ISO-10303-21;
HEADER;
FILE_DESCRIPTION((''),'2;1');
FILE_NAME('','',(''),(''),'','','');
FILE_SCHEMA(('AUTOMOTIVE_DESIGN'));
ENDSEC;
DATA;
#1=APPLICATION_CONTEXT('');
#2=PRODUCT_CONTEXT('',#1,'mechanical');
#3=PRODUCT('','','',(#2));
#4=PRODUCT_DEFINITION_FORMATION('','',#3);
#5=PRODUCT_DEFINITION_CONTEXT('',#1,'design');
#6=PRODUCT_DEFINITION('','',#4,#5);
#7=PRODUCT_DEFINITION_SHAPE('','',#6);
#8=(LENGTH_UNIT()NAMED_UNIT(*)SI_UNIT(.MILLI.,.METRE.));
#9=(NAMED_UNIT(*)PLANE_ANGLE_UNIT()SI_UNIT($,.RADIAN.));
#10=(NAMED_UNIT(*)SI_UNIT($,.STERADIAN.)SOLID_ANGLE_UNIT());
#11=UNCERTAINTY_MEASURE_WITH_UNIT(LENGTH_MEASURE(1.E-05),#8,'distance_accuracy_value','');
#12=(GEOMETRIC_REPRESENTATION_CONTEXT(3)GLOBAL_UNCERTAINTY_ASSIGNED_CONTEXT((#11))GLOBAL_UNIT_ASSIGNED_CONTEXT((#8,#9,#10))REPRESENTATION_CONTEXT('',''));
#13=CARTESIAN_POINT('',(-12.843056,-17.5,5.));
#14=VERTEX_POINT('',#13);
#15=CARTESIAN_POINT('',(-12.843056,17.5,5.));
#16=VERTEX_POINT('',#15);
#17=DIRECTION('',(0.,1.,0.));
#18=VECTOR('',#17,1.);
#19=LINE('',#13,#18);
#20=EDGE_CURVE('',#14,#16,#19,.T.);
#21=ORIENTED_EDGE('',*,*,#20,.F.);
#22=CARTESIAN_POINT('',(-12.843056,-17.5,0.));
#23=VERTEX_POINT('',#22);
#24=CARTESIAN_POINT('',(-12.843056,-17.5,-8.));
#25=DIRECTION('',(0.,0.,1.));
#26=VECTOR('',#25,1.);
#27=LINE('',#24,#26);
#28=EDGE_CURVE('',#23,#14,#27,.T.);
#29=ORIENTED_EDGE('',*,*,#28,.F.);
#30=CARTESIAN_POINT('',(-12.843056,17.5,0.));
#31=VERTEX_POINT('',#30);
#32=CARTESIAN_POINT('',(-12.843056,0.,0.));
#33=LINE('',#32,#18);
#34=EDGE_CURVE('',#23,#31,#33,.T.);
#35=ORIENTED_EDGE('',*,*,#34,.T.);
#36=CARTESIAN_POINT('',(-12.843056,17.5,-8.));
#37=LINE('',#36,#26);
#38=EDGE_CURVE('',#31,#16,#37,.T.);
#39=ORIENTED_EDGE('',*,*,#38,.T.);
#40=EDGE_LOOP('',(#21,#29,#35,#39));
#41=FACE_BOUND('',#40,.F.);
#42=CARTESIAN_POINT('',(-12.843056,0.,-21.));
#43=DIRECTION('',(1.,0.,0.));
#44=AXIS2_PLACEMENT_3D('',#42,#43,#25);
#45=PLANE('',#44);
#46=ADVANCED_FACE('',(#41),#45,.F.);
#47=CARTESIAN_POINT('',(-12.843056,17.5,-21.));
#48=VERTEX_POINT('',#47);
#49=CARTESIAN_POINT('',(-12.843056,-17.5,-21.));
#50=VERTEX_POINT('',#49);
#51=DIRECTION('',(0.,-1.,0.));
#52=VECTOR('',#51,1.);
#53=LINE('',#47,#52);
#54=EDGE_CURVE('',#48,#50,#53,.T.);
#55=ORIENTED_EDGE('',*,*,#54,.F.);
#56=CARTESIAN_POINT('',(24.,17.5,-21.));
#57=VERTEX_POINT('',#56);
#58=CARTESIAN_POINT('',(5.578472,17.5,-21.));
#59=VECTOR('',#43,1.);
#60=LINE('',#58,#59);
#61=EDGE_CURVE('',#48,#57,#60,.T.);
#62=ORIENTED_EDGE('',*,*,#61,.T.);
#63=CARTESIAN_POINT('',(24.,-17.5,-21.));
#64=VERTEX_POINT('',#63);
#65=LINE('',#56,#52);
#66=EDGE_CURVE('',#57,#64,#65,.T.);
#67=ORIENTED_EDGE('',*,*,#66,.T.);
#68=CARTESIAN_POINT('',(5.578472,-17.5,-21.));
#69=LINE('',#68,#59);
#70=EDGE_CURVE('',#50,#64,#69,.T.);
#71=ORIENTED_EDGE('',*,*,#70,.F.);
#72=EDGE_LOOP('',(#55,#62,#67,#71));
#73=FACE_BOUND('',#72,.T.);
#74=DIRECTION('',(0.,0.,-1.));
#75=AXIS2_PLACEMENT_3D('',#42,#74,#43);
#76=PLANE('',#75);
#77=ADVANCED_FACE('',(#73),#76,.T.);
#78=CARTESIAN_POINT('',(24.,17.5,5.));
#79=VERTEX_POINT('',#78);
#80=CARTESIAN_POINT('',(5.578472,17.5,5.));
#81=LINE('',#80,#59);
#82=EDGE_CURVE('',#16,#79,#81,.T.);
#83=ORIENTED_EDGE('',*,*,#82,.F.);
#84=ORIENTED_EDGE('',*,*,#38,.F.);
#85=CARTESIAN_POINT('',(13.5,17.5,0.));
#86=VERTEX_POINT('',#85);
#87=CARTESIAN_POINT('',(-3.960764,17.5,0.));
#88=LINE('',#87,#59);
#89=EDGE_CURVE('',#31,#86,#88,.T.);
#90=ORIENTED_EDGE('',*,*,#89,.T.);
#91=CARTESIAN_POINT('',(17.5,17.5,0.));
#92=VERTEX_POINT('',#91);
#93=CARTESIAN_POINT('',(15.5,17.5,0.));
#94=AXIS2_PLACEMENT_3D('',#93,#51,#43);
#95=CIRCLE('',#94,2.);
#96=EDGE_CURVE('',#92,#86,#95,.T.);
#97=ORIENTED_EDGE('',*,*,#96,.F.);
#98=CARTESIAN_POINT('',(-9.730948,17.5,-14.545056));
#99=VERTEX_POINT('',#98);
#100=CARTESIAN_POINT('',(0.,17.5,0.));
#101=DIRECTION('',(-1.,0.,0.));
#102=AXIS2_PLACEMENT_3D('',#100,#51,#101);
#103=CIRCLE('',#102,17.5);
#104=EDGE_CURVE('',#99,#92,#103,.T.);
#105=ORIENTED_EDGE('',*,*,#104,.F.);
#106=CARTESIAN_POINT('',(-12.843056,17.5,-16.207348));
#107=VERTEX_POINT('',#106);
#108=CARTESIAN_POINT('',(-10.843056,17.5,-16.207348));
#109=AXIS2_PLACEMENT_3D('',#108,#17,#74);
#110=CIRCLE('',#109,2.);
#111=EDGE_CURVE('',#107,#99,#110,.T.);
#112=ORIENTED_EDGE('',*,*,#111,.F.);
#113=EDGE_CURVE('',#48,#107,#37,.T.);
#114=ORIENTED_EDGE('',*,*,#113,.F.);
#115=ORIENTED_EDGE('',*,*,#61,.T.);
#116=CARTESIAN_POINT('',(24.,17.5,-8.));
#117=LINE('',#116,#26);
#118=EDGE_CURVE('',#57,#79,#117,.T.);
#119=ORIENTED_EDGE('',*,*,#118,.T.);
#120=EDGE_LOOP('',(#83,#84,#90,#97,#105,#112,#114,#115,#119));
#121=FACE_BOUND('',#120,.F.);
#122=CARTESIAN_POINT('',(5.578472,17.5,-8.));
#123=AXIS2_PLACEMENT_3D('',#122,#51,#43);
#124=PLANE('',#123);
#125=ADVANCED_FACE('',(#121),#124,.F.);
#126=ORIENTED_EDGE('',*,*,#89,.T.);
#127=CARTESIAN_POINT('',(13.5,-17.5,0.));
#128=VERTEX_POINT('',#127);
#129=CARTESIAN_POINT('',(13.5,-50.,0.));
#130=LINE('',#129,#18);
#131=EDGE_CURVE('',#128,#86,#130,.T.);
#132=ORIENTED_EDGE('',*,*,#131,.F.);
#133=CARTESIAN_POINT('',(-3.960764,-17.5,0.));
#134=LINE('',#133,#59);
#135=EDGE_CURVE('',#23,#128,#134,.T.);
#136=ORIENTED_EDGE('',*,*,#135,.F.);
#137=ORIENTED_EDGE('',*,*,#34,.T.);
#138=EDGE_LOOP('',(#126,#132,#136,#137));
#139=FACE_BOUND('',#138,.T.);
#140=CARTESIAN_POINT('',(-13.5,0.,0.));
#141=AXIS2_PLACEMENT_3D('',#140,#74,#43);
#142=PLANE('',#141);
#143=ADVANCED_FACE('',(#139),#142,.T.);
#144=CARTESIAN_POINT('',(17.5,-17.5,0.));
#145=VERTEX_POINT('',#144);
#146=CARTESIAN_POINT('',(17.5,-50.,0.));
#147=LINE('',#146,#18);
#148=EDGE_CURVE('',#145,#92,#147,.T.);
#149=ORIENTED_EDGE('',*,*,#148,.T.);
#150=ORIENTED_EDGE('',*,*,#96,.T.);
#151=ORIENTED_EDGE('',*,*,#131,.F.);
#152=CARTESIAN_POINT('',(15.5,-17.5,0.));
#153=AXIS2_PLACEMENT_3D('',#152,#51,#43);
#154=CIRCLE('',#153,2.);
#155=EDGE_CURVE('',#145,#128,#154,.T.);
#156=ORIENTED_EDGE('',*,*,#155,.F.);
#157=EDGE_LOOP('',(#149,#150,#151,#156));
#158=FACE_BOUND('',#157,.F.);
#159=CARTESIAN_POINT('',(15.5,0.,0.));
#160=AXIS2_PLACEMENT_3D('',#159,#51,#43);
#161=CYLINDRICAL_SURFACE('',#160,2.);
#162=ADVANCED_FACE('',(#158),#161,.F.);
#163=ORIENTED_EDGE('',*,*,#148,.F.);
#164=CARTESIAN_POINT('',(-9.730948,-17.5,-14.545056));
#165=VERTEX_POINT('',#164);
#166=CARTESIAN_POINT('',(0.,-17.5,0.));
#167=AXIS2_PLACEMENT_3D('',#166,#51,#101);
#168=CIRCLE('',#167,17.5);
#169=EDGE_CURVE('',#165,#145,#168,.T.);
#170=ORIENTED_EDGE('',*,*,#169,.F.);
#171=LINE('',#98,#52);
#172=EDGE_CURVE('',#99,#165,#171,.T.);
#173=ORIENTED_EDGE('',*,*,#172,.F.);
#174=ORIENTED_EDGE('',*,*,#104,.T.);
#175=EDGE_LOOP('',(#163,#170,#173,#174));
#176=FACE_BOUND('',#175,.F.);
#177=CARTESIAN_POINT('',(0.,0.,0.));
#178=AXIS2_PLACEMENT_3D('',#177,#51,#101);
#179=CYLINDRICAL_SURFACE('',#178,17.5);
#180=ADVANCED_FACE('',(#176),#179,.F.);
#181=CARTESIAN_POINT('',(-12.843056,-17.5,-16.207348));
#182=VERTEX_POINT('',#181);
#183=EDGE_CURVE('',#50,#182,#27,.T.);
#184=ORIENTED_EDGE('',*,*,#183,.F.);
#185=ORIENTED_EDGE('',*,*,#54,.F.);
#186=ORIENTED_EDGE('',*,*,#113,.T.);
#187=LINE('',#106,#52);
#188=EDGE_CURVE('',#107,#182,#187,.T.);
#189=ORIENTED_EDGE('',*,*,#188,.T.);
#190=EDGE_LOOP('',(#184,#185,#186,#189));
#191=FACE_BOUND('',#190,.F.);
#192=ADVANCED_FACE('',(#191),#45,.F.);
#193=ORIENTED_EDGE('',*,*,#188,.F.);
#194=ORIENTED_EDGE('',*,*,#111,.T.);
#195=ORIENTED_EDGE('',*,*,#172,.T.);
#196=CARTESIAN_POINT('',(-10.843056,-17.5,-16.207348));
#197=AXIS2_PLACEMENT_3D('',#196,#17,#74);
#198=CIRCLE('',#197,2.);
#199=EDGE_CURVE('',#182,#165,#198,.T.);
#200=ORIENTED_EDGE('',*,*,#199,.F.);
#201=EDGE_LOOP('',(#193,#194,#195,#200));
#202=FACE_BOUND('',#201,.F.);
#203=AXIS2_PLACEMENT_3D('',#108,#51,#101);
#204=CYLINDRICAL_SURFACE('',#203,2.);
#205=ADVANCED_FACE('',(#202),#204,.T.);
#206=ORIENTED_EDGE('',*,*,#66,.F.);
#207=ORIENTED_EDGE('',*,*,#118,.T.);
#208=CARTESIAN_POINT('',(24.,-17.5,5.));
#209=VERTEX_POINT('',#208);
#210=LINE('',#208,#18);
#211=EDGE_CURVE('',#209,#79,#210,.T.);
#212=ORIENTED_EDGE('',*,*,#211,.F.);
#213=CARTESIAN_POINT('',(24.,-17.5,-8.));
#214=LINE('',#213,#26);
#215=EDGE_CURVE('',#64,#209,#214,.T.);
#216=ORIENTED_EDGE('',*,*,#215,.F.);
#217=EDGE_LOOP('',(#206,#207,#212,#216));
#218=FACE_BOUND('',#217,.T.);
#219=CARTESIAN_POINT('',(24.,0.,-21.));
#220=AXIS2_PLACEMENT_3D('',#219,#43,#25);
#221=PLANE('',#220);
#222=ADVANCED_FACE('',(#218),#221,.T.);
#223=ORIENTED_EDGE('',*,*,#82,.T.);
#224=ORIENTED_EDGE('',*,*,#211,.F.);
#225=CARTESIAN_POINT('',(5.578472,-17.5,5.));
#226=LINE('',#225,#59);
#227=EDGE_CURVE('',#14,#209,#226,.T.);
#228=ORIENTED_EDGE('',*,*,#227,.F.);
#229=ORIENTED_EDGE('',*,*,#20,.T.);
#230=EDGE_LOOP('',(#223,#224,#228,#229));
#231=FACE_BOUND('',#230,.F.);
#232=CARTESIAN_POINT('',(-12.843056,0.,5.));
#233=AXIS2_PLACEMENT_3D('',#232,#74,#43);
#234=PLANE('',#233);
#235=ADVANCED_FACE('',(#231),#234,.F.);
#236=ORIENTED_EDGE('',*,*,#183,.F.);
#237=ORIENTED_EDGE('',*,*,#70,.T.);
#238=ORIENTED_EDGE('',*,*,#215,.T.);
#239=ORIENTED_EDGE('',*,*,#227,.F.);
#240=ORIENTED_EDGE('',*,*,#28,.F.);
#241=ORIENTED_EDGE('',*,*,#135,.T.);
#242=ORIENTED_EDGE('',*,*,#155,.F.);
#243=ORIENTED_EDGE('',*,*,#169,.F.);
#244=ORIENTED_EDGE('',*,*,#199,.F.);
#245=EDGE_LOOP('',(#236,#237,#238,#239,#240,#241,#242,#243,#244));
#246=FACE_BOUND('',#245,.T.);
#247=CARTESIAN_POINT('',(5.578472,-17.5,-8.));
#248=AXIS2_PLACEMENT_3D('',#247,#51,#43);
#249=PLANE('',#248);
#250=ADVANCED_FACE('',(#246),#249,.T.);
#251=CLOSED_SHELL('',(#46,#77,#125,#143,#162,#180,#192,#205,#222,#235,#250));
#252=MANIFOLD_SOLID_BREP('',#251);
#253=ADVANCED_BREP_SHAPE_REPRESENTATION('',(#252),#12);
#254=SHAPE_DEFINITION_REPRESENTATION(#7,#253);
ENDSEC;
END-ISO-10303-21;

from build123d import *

# Parameters (mm, degrees)
PAD_DEPTH    = 50
SKETCH002_W  = 36.843056
SKETCH002_H  = 26
PAD003_DEPTH = 17.5
FILLET_R     = 2


with BuildPart() as pad:
    # Sketch → Pad (new body, symmetric)
    with BuildSketch(Plane.XZ):
        with BuildLine():
            Line((-13.5, 0), (13.5, 0))
            ThreePointArc((17.5, 0), (15.5, 2), (13.5, 0))
            ThreePointArc((-17.5, 0), (0, -17.5), (17.5, 0))
            ThreePointArc((-13.5, 0), (-15.5, 2), (-17.5, 0))
        make_face()
    extrude(amount=PAD_DEPTH, both=True)


with BuildPart() as fillet_body:
    # Sketch002 → Pad003 (new body, symmetric)
    with BuildSketch(Plane.XZ):
        with Locations((5.578472, -8)):
            Rectangle(SKETCH002_W, SKETCH002_H)
    extrude(amount=PAD003_DEPTH, both=True)

    # Cut: cut Pad
    add(pad.part, mode=Mode.SUBTRACT)

    # Fillet
    fillet_edges = [fillet_body.edges().sort_by_distance(p)[0] for p in [
        (-12.843056, 0, -11.887216),
    ]]
    fillet(fillet_edges, radius=FILLET_R)


solid = fillet_body.part
